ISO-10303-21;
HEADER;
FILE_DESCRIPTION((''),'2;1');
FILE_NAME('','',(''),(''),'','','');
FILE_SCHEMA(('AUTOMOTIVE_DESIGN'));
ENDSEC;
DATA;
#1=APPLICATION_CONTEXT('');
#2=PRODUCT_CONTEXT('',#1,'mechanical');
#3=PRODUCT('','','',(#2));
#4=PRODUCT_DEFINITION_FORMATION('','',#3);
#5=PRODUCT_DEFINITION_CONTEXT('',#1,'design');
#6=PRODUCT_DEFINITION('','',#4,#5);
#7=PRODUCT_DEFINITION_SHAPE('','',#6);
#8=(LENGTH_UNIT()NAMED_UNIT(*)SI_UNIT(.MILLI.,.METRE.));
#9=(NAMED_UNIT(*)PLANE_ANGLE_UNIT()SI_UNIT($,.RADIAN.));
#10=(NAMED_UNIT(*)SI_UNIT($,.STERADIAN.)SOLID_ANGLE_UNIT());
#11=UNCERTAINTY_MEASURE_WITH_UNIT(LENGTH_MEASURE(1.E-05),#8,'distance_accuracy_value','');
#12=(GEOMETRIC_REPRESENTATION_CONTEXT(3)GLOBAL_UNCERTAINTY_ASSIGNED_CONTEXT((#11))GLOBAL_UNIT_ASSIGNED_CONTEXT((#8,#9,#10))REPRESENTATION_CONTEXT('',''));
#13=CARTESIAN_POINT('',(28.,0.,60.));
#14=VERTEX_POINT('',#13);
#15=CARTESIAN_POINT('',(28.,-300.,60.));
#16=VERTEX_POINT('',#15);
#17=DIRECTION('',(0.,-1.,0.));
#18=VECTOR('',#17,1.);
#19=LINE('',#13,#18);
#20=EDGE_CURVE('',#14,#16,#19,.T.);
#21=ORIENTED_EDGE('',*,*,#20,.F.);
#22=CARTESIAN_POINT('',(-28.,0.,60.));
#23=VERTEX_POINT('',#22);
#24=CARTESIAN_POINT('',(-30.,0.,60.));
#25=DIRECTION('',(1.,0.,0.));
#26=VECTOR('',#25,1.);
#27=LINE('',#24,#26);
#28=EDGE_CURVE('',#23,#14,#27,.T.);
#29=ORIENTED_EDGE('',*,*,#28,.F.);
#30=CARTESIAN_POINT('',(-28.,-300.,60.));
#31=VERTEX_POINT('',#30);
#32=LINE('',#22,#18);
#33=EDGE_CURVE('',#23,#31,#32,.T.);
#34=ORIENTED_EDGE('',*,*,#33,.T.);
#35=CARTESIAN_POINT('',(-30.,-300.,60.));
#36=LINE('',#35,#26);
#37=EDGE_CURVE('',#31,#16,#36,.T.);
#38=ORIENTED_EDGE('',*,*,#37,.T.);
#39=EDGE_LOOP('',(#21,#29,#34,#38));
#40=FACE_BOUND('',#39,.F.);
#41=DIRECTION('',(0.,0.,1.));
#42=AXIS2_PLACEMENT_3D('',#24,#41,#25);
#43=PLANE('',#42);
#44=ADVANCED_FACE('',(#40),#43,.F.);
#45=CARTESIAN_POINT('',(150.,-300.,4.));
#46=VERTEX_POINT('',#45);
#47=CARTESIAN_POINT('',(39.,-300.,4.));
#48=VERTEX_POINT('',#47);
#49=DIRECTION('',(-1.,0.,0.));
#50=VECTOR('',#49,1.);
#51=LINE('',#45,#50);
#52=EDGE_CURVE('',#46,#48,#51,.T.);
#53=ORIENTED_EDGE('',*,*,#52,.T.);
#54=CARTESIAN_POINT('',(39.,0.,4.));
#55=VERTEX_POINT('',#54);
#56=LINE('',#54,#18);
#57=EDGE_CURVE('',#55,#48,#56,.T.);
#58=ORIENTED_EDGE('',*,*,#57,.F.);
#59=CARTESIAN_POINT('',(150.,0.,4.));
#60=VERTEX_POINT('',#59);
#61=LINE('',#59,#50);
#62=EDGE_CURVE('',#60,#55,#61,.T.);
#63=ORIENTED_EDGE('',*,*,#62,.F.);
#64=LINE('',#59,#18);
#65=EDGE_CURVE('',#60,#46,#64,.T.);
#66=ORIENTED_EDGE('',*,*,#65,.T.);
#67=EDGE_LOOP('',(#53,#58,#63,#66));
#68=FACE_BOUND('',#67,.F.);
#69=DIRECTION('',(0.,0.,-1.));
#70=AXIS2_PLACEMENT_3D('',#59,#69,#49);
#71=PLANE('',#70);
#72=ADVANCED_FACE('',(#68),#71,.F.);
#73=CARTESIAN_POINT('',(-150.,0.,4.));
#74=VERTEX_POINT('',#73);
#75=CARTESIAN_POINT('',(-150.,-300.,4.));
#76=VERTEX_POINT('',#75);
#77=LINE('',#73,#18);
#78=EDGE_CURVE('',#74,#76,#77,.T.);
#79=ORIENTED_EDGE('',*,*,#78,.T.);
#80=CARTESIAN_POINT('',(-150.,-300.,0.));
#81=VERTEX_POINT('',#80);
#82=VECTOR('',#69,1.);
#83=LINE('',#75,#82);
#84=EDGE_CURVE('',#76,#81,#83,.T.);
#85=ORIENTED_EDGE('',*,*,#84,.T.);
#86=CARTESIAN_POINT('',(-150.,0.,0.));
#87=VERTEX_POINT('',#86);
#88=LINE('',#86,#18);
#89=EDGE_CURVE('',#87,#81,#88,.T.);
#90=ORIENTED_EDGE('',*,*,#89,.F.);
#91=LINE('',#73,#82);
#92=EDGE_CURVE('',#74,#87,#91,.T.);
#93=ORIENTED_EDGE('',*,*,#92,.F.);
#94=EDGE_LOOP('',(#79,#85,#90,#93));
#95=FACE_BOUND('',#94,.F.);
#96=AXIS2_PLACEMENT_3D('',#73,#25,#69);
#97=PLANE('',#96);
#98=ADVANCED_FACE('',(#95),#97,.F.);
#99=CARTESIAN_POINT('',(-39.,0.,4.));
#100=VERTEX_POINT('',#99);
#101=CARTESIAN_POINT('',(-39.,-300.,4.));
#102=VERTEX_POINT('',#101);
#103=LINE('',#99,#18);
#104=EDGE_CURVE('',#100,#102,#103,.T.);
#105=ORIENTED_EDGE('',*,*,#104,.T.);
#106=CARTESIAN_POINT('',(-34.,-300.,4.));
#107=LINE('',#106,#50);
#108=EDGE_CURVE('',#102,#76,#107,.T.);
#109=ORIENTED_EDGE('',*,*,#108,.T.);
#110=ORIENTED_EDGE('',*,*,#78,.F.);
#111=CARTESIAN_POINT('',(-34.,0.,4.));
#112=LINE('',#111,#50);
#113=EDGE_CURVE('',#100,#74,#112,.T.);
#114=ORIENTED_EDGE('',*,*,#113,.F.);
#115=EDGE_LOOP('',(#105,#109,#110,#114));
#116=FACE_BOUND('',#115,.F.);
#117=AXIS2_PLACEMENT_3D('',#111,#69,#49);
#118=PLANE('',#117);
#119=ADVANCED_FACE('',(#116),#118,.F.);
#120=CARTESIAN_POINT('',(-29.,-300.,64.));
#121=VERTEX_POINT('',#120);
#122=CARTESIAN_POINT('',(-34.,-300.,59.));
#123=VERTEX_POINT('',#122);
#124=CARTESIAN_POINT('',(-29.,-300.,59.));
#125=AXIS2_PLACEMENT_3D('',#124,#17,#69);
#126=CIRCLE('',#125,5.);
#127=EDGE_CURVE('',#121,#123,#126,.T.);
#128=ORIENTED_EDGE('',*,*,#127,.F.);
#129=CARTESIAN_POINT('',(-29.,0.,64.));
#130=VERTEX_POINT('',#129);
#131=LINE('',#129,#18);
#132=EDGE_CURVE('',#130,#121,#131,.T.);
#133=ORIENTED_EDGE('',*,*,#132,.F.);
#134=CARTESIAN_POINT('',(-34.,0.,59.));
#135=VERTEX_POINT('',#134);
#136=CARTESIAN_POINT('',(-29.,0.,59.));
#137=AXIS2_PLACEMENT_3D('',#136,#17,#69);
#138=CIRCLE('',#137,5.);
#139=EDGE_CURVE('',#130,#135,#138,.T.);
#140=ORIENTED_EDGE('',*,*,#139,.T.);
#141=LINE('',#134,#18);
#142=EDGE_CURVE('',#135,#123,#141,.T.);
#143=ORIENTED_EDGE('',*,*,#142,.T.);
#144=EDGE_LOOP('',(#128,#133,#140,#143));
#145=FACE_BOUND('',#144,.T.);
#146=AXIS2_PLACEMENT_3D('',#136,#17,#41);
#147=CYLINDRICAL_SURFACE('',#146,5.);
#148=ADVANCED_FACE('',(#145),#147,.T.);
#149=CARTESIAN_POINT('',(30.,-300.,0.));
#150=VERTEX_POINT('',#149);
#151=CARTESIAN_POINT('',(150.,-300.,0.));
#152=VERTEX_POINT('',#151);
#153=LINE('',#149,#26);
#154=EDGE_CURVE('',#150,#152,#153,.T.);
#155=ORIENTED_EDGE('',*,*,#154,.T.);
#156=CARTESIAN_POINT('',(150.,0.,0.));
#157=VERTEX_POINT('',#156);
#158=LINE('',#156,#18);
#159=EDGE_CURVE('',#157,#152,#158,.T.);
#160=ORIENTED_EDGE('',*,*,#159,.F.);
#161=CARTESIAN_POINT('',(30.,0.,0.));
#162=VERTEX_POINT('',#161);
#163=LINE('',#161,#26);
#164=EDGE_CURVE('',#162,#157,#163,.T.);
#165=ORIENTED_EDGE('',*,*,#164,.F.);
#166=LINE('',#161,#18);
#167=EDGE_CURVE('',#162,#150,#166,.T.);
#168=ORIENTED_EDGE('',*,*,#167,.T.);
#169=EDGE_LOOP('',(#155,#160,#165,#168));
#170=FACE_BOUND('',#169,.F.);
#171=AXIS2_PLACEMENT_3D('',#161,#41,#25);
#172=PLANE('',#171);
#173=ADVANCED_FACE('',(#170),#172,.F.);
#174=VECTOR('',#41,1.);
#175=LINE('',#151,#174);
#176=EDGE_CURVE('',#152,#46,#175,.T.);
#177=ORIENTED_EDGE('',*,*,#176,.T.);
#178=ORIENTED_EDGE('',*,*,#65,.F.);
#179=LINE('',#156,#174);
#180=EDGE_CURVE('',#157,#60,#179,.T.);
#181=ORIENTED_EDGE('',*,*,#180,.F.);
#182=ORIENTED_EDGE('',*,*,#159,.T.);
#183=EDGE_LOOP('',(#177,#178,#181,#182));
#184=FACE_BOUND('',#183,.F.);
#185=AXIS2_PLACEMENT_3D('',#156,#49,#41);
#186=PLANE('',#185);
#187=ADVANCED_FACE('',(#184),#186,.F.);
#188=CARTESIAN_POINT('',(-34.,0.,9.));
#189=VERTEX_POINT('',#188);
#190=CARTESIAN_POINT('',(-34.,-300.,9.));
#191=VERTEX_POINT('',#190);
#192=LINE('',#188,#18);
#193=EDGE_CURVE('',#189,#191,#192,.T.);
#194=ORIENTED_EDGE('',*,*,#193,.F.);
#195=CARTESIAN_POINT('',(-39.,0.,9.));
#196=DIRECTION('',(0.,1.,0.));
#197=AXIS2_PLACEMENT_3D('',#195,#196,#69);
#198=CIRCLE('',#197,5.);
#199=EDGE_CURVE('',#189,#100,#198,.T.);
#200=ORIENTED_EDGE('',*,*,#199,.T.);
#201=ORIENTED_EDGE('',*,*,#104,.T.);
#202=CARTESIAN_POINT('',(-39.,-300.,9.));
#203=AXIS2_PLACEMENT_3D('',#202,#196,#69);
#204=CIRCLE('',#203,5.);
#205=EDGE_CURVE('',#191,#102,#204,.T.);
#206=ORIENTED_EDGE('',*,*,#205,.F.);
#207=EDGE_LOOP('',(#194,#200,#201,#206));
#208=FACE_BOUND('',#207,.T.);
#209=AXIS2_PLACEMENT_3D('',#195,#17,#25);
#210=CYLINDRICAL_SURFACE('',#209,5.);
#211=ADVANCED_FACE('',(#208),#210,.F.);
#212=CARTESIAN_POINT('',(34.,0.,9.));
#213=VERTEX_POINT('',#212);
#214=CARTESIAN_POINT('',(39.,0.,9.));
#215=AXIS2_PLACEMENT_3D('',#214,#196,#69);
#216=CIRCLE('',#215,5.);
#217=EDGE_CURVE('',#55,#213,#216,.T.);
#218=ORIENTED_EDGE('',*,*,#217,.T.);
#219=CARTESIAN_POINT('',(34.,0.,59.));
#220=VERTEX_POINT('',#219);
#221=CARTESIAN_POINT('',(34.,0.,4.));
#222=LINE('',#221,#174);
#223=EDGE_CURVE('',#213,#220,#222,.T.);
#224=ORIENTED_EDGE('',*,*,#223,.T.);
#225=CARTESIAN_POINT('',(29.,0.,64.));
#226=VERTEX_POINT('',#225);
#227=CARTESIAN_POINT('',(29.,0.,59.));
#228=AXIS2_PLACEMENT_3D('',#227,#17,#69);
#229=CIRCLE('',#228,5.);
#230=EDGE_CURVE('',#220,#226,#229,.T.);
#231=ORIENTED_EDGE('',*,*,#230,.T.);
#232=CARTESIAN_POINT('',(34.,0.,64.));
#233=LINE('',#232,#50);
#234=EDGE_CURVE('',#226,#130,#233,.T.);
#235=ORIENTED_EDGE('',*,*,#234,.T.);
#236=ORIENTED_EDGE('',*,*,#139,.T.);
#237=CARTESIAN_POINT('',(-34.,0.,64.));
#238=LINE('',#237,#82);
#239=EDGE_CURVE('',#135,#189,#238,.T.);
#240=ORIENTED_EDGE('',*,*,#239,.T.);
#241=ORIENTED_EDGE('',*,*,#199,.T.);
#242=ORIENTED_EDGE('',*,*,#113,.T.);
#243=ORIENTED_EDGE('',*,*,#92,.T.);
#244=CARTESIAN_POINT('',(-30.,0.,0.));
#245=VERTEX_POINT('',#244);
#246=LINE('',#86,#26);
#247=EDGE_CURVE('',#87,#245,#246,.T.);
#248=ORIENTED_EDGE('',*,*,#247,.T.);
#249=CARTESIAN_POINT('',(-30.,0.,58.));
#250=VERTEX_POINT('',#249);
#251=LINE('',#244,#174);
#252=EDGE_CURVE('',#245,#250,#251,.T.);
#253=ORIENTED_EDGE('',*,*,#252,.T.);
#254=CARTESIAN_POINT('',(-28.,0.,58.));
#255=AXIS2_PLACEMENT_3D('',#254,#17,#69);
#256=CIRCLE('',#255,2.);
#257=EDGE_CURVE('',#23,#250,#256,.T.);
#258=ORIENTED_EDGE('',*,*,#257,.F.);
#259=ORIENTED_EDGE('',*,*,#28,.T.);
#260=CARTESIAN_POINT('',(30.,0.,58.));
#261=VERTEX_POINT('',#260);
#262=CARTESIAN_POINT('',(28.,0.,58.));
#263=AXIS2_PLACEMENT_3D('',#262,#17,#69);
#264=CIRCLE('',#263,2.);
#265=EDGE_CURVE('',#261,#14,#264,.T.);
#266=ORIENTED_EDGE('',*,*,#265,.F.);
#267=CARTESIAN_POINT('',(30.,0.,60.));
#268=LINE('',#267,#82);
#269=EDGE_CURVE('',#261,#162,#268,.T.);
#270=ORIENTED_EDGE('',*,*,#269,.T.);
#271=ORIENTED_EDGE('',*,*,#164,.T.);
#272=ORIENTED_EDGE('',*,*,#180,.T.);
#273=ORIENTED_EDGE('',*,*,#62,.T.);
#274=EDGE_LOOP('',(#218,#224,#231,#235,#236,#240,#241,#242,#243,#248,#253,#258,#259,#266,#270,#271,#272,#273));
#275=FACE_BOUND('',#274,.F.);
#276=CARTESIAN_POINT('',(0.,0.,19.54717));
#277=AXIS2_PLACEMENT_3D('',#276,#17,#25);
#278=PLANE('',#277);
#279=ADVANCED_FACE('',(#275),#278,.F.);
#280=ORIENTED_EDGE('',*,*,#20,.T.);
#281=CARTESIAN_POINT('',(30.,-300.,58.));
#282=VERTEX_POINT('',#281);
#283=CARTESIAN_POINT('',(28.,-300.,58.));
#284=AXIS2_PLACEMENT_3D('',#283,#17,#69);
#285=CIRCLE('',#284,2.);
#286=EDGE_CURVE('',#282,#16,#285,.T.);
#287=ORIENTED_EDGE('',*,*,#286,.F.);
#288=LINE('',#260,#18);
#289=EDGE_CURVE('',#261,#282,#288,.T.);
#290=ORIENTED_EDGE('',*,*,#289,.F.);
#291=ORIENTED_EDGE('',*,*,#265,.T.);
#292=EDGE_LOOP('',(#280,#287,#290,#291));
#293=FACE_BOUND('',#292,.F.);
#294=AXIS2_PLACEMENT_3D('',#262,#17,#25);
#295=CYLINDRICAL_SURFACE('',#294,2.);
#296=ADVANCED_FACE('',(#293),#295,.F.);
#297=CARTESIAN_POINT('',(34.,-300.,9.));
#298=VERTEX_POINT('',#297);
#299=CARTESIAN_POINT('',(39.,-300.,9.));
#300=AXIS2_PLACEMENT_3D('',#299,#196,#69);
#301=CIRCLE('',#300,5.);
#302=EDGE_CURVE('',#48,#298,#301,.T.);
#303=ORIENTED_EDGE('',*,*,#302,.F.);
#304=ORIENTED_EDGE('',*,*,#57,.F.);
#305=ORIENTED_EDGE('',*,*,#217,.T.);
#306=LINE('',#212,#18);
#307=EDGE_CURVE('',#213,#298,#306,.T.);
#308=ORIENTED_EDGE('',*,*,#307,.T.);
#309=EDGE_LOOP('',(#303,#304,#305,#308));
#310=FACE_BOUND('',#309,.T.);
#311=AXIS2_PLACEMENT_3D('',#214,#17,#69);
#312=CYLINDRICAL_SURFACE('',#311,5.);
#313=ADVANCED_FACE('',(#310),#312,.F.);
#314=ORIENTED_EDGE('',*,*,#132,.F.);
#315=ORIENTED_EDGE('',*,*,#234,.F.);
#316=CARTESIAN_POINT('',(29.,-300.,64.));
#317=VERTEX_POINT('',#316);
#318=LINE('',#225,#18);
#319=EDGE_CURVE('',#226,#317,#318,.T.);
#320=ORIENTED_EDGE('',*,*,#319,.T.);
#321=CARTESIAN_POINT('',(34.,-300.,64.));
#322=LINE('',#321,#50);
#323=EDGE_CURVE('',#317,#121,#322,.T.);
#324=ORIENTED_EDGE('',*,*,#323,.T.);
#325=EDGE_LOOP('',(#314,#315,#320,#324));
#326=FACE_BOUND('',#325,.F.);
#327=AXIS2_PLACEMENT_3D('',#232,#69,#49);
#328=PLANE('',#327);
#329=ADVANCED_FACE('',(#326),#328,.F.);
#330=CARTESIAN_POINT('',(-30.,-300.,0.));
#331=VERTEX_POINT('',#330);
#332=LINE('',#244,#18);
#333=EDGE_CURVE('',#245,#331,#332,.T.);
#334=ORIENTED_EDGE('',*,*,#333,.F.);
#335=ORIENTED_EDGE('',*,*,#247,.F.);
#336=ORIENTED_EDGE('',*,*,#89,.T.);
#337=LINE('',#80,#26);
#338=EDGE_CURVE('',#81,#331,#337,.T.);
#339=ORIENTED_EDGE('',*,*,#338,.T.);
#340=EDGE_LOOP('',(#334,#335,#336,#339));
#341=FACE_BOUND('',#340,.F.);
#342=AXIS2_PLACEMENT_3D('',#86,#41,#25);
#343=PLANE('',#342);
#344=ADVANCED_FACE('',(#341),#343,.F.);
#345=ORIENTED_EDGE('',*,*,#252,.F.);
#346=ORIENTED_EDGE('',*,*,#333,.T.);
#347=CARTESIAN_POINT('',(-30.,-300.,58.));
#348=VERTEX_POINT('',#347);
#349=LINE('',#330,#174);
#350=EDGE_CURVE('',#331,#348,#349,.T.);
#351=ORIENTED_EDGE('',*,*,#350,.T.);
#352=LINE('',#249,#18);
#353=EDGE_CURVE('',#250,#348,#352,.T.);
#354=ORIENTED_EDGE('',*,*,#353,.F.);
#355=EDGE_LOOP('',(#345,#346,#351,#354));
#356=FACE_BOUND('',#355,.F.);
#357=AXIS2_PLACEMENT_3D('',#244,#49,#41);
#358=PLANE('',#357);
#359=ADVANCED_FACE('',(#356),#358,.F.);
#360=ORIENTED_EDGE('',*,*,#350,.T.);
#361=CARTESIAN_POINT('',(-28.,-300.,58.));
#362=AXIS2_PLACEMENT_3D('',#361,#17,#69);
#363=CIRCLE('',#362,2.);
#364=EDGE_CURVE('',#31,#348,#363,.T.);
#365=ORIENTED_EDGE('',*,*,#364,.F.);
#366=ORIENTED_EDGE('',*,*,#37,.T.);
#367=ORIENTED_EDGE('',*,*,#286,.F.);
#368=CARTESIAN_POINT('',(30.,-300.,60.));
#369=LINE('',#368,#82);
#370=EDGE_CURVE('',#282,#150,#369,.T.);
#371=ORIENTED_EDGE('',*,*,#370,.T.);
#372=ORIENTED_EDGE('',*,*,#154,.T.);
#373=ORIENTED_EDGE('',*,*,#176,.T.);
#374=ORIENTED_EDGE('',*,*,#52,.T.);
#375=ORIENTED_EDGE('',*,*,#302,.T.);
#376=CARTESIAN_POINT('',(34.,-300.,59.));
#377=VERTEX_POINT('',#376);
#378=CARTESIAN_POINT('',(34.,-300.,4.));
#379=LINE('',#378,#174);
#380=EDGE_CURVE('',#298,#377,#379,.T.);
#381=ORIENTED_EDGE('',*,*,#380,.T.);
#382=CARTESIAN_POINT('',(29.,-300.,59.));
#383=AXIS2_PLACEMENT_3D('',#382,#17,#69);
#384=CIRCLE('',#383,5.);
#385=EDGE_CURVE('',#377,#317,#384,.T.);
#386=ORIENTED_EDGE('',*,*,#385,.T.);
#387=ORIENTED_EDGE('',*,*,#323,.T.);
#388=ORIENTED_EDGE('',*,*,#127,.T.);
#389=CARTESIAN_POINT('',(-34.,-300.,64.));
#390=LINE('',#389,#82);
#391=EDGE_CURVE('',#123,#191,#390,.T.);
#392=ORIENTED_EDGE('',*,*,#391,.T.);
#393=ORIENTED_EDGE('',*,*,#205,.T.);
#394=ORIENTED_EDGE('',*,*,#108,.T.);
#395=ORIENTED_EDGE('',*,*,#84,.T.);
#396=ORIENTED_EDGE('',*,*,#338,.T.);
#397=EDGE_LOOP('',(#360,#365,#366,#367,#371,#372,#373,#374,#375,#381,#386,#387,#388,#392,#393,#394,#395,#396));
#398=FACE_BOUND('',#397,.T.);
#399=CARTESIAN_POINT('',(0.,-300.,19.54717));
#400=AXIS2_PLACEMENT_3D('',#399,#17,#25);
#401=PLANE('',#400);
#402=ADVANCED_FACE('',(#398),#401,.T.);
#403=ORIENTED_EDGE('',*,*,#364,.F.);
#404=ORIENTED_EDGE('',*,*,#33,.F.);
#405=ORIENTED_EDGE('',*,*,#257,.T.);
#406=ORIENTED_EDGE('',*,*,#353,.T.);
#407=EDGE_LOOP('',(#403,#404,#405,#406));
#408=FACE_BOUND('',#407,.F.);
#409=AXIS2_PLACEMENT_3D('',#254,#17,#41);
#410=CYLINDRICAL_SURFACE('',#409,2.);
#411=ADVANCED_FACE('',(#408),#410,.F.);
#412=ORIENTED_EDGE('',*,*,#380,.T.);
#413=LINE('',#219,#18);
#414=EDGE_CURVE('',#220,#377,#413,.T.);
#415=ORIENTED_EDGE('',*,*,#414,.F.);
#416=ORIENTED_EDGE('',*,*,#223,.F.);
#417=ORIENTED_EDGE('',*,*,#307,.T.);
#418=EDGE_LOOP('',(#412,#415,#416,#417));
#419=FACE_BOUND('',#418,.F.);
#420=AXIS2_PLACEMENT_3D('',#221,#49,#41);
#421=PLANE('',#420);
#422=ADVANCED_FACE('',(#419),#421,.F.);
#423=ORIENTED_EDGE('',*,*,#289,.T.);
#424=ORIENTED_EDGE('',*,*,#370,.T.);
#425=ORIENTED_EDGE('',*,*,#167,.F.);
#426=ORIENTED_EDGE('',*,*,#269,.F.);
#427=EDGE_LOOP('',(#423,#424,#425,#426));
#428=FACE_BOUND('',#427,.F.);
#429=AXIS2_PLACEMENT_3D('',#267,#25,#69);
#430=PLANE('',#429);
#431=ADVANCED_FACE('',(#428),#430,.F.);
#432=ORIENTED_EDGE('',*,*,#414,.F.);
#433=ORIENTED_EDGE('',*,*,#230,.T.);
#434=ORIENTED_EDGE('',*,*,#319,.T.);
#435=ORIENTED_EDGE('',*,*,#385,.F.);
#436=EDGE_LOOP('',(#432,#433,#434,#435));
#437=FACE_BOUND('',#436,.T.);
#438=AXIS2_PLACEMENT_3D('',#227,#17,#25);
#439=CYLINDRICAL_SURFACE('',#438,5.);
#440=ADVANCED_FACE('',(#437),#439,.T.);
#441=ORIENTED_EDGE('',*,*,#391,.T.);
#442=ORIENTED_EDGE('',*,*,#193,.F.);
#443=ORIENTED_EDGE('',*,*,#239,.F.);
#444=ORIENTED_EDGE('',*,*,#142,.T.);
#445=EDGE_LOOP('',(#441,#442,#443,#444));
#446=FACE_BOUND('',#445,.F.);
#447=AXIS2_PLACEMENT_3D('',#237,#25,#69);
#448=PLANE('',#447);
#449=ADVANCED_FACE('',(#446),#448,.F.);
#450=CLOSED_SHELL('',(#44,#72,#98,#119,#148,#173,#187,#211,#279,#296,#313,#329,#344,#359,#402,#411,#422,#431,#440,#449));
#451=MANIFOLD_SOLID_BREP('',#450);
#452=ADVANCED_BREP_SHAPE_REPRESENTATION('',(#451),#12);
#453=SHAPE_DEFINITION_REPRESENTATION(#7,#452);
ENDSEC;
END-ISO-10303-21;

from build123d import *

# Parameters (mm, degrees)
F1_DEPTH = 300
F2_R     = 5
F3_R     = 2


with BuildPart() as f1:
    # F0 (on Front) → F1 (new body)
    with BuildSketch(Plane.XZ):
        Polygon((-150, 4), (-150, 0), (-30, 0), (-30, 60), (0, 60), (30, 60), (30, 0), (150, 0), (150, 4), (34, 4), (34, 64), (0, 64), (-34, 64), (-34, 4), align=None)
    extrude(amount=F1_DEPTH)

    # F2
    f2_edges = [f1.edges().sort_by_distance(p)[0] for p in [
        (-34, -150, 4),
        (34, -150, 4),
        (34, -150, 64),
        (-34, -150, 64),
    ]]
    fillet(f2_edges, radius=F2_R)

    # F3
    f3_edges = [f1.edges().sort_by_distance(p)[0] for p in [
        (30, -150, 60),
        (-30, -150, 60),
    ]]
    fillet(f3_edges, radius=F3_R)


solid = f1.part
